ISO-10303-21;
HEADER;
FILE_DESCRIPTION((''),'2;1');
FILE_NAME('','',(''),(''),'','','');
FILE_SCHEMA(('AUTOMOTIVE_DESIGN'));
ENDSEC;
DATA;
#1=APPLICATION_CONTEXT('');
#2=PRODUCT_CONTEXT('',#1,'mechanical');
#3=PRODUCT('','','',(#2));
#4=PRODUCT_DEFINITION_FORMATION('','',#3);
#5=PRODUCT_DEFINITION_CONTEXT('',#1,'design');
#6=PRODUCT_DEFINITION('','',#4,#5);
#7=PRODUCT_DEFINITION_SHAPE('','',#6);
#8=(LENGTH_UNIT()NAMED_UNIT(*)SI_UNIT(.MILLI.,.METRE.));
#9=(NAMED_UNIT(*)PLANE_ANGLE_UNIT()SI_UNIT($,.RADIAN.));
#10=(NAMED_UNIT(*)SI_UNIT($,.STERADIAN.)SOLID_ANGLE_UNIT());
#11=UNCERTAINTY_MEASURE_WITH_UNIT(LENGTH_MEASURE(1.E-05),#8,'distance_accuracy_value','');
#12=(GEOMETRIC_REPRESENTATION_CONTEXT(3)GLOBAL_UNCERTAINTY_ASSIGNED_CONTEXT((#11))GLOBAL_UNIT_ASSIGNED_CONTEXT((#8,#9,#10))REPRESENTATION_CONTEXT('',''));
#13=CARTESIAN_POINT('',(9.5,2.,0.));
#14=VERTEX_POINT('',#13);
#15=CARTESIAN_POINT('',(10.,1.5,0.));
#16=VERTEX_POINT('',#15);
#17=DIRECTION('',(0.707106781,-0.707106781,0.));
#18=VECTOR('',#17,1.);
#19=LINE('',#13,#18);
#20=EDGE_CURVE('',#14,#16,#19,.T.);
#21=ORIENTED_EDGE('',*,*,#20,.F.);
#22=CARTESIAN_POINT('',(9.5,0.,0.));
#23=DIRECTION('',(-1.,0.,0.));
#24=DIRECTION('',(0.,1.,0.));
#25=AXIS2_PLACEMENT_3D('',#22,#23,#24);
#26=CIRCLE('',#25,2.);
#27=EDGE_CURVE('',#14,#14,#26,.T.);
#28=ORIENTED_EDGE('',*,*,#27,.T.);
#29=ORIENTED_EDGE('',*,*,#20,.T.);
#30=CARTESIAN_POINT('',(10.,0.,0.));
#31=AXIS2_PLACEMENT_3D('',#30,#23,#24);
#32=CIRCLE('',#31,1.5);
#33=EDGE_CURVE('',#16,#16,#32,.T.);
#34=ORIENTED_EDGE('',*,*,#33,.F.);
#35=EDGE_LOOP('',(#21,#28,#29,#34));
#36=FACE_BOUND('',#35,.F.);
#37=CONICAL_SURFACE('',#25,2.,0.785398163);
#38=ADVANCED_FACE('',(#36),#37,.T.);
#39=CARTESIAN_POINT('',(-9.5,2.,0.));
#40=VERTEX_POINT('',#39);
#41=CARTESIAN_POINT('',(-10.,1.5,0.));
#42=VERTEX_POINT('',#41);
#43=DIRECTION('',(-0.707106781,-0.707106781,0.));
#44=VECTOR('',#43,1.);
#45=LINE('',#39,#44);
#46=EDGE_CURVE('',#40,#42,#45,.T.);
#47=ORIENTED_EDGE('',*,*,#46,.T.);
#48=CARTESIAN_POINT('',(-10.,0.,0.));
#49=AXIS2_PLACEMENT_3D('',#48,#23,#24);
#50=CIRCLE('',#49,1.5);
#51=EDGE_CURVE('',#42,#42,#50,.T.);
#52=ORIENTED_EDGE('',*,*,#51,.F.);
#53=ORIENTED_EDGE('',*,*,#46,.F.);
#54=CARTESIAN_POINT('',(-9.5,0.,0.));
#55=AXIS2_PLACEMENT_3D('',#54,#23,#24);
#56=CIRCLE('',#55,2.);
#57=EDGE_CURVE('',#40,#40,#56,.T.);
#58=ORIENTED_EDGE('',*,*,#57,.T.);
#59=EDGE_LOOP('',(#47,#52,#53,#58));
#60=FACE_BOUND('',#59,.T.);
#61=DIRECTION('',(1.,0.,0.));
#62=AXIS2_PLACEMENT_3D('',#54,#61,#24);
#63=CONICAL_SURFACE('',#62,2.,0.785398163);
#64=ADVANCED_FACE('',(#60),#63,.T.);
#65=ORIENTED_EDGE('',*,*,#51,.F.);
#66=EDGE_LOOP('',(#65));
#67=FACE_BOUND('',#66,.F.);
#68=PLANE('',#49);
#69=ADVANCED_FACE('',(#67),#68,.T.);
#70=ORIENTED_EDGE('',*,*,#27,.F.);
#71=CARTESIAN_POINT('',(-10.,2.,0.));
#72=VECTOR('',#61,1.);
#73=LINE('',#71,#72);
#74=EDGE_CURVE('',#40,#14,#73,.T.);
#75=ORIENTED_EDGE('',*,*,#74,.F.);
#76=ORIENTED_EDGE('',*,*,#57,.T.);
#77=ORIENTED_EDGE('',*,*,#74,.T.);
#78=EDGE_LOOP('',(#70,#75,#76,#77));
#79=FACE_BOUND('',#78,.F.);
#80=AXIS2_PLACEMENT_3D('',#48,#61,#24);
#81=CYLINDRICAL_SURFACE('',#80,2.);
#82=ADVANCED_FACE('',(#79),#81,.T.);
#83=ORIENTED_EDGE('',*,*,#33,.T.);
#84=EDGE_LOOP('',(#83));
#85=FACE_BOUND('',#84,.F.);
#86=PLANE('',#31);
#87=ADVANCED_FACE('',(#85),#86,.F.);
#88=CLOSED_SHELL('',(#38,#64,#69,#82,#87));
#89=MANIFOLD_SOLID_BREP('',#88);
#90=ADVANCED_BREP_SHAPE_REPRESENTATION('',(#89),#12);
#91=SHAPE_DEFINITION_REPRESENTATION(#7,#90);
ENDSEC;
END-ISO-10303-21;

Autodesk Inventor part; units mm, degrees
ref_plane "YZ Plane" through (0, 0, 0) normal (1, 0, 0) x (0, 1, 0)
ref_plane "XZ Plane" through (0, 0, 0) normal (0, 1, 0) x (-1, 0, 0)
ref_plane "XY Plane" through (0, 0, 0) normal (0, 0, 1) x (1, 0, 0)
sketch "Sketch1" plane through (0, 0, 0) normal (0, 0, 1) x (1, 0, 0)
  line L0 (-10, 2) -> (10, 2)
  line L1 (10, 2) -> (10, 0)
  line L2 (10, 0) -> (-10, 0)
  line L3 (-10, 0) -> (-10, 2)
  point P0 (0, 0)
  point P1 (0, 0)
  dimension "d0" = 4
  dimension "d1" = 20
revolve "Revolution1" add sketch "Sketch1" angle 360 about axis through (10, 0, 0) along (-1, 0, 0)
chamfer "Chamfer1" distance 0.5 angle 45 2 edges at (-10, -2, 0) (10, -2, 0)
properties part number "Pin" material "Steel"
